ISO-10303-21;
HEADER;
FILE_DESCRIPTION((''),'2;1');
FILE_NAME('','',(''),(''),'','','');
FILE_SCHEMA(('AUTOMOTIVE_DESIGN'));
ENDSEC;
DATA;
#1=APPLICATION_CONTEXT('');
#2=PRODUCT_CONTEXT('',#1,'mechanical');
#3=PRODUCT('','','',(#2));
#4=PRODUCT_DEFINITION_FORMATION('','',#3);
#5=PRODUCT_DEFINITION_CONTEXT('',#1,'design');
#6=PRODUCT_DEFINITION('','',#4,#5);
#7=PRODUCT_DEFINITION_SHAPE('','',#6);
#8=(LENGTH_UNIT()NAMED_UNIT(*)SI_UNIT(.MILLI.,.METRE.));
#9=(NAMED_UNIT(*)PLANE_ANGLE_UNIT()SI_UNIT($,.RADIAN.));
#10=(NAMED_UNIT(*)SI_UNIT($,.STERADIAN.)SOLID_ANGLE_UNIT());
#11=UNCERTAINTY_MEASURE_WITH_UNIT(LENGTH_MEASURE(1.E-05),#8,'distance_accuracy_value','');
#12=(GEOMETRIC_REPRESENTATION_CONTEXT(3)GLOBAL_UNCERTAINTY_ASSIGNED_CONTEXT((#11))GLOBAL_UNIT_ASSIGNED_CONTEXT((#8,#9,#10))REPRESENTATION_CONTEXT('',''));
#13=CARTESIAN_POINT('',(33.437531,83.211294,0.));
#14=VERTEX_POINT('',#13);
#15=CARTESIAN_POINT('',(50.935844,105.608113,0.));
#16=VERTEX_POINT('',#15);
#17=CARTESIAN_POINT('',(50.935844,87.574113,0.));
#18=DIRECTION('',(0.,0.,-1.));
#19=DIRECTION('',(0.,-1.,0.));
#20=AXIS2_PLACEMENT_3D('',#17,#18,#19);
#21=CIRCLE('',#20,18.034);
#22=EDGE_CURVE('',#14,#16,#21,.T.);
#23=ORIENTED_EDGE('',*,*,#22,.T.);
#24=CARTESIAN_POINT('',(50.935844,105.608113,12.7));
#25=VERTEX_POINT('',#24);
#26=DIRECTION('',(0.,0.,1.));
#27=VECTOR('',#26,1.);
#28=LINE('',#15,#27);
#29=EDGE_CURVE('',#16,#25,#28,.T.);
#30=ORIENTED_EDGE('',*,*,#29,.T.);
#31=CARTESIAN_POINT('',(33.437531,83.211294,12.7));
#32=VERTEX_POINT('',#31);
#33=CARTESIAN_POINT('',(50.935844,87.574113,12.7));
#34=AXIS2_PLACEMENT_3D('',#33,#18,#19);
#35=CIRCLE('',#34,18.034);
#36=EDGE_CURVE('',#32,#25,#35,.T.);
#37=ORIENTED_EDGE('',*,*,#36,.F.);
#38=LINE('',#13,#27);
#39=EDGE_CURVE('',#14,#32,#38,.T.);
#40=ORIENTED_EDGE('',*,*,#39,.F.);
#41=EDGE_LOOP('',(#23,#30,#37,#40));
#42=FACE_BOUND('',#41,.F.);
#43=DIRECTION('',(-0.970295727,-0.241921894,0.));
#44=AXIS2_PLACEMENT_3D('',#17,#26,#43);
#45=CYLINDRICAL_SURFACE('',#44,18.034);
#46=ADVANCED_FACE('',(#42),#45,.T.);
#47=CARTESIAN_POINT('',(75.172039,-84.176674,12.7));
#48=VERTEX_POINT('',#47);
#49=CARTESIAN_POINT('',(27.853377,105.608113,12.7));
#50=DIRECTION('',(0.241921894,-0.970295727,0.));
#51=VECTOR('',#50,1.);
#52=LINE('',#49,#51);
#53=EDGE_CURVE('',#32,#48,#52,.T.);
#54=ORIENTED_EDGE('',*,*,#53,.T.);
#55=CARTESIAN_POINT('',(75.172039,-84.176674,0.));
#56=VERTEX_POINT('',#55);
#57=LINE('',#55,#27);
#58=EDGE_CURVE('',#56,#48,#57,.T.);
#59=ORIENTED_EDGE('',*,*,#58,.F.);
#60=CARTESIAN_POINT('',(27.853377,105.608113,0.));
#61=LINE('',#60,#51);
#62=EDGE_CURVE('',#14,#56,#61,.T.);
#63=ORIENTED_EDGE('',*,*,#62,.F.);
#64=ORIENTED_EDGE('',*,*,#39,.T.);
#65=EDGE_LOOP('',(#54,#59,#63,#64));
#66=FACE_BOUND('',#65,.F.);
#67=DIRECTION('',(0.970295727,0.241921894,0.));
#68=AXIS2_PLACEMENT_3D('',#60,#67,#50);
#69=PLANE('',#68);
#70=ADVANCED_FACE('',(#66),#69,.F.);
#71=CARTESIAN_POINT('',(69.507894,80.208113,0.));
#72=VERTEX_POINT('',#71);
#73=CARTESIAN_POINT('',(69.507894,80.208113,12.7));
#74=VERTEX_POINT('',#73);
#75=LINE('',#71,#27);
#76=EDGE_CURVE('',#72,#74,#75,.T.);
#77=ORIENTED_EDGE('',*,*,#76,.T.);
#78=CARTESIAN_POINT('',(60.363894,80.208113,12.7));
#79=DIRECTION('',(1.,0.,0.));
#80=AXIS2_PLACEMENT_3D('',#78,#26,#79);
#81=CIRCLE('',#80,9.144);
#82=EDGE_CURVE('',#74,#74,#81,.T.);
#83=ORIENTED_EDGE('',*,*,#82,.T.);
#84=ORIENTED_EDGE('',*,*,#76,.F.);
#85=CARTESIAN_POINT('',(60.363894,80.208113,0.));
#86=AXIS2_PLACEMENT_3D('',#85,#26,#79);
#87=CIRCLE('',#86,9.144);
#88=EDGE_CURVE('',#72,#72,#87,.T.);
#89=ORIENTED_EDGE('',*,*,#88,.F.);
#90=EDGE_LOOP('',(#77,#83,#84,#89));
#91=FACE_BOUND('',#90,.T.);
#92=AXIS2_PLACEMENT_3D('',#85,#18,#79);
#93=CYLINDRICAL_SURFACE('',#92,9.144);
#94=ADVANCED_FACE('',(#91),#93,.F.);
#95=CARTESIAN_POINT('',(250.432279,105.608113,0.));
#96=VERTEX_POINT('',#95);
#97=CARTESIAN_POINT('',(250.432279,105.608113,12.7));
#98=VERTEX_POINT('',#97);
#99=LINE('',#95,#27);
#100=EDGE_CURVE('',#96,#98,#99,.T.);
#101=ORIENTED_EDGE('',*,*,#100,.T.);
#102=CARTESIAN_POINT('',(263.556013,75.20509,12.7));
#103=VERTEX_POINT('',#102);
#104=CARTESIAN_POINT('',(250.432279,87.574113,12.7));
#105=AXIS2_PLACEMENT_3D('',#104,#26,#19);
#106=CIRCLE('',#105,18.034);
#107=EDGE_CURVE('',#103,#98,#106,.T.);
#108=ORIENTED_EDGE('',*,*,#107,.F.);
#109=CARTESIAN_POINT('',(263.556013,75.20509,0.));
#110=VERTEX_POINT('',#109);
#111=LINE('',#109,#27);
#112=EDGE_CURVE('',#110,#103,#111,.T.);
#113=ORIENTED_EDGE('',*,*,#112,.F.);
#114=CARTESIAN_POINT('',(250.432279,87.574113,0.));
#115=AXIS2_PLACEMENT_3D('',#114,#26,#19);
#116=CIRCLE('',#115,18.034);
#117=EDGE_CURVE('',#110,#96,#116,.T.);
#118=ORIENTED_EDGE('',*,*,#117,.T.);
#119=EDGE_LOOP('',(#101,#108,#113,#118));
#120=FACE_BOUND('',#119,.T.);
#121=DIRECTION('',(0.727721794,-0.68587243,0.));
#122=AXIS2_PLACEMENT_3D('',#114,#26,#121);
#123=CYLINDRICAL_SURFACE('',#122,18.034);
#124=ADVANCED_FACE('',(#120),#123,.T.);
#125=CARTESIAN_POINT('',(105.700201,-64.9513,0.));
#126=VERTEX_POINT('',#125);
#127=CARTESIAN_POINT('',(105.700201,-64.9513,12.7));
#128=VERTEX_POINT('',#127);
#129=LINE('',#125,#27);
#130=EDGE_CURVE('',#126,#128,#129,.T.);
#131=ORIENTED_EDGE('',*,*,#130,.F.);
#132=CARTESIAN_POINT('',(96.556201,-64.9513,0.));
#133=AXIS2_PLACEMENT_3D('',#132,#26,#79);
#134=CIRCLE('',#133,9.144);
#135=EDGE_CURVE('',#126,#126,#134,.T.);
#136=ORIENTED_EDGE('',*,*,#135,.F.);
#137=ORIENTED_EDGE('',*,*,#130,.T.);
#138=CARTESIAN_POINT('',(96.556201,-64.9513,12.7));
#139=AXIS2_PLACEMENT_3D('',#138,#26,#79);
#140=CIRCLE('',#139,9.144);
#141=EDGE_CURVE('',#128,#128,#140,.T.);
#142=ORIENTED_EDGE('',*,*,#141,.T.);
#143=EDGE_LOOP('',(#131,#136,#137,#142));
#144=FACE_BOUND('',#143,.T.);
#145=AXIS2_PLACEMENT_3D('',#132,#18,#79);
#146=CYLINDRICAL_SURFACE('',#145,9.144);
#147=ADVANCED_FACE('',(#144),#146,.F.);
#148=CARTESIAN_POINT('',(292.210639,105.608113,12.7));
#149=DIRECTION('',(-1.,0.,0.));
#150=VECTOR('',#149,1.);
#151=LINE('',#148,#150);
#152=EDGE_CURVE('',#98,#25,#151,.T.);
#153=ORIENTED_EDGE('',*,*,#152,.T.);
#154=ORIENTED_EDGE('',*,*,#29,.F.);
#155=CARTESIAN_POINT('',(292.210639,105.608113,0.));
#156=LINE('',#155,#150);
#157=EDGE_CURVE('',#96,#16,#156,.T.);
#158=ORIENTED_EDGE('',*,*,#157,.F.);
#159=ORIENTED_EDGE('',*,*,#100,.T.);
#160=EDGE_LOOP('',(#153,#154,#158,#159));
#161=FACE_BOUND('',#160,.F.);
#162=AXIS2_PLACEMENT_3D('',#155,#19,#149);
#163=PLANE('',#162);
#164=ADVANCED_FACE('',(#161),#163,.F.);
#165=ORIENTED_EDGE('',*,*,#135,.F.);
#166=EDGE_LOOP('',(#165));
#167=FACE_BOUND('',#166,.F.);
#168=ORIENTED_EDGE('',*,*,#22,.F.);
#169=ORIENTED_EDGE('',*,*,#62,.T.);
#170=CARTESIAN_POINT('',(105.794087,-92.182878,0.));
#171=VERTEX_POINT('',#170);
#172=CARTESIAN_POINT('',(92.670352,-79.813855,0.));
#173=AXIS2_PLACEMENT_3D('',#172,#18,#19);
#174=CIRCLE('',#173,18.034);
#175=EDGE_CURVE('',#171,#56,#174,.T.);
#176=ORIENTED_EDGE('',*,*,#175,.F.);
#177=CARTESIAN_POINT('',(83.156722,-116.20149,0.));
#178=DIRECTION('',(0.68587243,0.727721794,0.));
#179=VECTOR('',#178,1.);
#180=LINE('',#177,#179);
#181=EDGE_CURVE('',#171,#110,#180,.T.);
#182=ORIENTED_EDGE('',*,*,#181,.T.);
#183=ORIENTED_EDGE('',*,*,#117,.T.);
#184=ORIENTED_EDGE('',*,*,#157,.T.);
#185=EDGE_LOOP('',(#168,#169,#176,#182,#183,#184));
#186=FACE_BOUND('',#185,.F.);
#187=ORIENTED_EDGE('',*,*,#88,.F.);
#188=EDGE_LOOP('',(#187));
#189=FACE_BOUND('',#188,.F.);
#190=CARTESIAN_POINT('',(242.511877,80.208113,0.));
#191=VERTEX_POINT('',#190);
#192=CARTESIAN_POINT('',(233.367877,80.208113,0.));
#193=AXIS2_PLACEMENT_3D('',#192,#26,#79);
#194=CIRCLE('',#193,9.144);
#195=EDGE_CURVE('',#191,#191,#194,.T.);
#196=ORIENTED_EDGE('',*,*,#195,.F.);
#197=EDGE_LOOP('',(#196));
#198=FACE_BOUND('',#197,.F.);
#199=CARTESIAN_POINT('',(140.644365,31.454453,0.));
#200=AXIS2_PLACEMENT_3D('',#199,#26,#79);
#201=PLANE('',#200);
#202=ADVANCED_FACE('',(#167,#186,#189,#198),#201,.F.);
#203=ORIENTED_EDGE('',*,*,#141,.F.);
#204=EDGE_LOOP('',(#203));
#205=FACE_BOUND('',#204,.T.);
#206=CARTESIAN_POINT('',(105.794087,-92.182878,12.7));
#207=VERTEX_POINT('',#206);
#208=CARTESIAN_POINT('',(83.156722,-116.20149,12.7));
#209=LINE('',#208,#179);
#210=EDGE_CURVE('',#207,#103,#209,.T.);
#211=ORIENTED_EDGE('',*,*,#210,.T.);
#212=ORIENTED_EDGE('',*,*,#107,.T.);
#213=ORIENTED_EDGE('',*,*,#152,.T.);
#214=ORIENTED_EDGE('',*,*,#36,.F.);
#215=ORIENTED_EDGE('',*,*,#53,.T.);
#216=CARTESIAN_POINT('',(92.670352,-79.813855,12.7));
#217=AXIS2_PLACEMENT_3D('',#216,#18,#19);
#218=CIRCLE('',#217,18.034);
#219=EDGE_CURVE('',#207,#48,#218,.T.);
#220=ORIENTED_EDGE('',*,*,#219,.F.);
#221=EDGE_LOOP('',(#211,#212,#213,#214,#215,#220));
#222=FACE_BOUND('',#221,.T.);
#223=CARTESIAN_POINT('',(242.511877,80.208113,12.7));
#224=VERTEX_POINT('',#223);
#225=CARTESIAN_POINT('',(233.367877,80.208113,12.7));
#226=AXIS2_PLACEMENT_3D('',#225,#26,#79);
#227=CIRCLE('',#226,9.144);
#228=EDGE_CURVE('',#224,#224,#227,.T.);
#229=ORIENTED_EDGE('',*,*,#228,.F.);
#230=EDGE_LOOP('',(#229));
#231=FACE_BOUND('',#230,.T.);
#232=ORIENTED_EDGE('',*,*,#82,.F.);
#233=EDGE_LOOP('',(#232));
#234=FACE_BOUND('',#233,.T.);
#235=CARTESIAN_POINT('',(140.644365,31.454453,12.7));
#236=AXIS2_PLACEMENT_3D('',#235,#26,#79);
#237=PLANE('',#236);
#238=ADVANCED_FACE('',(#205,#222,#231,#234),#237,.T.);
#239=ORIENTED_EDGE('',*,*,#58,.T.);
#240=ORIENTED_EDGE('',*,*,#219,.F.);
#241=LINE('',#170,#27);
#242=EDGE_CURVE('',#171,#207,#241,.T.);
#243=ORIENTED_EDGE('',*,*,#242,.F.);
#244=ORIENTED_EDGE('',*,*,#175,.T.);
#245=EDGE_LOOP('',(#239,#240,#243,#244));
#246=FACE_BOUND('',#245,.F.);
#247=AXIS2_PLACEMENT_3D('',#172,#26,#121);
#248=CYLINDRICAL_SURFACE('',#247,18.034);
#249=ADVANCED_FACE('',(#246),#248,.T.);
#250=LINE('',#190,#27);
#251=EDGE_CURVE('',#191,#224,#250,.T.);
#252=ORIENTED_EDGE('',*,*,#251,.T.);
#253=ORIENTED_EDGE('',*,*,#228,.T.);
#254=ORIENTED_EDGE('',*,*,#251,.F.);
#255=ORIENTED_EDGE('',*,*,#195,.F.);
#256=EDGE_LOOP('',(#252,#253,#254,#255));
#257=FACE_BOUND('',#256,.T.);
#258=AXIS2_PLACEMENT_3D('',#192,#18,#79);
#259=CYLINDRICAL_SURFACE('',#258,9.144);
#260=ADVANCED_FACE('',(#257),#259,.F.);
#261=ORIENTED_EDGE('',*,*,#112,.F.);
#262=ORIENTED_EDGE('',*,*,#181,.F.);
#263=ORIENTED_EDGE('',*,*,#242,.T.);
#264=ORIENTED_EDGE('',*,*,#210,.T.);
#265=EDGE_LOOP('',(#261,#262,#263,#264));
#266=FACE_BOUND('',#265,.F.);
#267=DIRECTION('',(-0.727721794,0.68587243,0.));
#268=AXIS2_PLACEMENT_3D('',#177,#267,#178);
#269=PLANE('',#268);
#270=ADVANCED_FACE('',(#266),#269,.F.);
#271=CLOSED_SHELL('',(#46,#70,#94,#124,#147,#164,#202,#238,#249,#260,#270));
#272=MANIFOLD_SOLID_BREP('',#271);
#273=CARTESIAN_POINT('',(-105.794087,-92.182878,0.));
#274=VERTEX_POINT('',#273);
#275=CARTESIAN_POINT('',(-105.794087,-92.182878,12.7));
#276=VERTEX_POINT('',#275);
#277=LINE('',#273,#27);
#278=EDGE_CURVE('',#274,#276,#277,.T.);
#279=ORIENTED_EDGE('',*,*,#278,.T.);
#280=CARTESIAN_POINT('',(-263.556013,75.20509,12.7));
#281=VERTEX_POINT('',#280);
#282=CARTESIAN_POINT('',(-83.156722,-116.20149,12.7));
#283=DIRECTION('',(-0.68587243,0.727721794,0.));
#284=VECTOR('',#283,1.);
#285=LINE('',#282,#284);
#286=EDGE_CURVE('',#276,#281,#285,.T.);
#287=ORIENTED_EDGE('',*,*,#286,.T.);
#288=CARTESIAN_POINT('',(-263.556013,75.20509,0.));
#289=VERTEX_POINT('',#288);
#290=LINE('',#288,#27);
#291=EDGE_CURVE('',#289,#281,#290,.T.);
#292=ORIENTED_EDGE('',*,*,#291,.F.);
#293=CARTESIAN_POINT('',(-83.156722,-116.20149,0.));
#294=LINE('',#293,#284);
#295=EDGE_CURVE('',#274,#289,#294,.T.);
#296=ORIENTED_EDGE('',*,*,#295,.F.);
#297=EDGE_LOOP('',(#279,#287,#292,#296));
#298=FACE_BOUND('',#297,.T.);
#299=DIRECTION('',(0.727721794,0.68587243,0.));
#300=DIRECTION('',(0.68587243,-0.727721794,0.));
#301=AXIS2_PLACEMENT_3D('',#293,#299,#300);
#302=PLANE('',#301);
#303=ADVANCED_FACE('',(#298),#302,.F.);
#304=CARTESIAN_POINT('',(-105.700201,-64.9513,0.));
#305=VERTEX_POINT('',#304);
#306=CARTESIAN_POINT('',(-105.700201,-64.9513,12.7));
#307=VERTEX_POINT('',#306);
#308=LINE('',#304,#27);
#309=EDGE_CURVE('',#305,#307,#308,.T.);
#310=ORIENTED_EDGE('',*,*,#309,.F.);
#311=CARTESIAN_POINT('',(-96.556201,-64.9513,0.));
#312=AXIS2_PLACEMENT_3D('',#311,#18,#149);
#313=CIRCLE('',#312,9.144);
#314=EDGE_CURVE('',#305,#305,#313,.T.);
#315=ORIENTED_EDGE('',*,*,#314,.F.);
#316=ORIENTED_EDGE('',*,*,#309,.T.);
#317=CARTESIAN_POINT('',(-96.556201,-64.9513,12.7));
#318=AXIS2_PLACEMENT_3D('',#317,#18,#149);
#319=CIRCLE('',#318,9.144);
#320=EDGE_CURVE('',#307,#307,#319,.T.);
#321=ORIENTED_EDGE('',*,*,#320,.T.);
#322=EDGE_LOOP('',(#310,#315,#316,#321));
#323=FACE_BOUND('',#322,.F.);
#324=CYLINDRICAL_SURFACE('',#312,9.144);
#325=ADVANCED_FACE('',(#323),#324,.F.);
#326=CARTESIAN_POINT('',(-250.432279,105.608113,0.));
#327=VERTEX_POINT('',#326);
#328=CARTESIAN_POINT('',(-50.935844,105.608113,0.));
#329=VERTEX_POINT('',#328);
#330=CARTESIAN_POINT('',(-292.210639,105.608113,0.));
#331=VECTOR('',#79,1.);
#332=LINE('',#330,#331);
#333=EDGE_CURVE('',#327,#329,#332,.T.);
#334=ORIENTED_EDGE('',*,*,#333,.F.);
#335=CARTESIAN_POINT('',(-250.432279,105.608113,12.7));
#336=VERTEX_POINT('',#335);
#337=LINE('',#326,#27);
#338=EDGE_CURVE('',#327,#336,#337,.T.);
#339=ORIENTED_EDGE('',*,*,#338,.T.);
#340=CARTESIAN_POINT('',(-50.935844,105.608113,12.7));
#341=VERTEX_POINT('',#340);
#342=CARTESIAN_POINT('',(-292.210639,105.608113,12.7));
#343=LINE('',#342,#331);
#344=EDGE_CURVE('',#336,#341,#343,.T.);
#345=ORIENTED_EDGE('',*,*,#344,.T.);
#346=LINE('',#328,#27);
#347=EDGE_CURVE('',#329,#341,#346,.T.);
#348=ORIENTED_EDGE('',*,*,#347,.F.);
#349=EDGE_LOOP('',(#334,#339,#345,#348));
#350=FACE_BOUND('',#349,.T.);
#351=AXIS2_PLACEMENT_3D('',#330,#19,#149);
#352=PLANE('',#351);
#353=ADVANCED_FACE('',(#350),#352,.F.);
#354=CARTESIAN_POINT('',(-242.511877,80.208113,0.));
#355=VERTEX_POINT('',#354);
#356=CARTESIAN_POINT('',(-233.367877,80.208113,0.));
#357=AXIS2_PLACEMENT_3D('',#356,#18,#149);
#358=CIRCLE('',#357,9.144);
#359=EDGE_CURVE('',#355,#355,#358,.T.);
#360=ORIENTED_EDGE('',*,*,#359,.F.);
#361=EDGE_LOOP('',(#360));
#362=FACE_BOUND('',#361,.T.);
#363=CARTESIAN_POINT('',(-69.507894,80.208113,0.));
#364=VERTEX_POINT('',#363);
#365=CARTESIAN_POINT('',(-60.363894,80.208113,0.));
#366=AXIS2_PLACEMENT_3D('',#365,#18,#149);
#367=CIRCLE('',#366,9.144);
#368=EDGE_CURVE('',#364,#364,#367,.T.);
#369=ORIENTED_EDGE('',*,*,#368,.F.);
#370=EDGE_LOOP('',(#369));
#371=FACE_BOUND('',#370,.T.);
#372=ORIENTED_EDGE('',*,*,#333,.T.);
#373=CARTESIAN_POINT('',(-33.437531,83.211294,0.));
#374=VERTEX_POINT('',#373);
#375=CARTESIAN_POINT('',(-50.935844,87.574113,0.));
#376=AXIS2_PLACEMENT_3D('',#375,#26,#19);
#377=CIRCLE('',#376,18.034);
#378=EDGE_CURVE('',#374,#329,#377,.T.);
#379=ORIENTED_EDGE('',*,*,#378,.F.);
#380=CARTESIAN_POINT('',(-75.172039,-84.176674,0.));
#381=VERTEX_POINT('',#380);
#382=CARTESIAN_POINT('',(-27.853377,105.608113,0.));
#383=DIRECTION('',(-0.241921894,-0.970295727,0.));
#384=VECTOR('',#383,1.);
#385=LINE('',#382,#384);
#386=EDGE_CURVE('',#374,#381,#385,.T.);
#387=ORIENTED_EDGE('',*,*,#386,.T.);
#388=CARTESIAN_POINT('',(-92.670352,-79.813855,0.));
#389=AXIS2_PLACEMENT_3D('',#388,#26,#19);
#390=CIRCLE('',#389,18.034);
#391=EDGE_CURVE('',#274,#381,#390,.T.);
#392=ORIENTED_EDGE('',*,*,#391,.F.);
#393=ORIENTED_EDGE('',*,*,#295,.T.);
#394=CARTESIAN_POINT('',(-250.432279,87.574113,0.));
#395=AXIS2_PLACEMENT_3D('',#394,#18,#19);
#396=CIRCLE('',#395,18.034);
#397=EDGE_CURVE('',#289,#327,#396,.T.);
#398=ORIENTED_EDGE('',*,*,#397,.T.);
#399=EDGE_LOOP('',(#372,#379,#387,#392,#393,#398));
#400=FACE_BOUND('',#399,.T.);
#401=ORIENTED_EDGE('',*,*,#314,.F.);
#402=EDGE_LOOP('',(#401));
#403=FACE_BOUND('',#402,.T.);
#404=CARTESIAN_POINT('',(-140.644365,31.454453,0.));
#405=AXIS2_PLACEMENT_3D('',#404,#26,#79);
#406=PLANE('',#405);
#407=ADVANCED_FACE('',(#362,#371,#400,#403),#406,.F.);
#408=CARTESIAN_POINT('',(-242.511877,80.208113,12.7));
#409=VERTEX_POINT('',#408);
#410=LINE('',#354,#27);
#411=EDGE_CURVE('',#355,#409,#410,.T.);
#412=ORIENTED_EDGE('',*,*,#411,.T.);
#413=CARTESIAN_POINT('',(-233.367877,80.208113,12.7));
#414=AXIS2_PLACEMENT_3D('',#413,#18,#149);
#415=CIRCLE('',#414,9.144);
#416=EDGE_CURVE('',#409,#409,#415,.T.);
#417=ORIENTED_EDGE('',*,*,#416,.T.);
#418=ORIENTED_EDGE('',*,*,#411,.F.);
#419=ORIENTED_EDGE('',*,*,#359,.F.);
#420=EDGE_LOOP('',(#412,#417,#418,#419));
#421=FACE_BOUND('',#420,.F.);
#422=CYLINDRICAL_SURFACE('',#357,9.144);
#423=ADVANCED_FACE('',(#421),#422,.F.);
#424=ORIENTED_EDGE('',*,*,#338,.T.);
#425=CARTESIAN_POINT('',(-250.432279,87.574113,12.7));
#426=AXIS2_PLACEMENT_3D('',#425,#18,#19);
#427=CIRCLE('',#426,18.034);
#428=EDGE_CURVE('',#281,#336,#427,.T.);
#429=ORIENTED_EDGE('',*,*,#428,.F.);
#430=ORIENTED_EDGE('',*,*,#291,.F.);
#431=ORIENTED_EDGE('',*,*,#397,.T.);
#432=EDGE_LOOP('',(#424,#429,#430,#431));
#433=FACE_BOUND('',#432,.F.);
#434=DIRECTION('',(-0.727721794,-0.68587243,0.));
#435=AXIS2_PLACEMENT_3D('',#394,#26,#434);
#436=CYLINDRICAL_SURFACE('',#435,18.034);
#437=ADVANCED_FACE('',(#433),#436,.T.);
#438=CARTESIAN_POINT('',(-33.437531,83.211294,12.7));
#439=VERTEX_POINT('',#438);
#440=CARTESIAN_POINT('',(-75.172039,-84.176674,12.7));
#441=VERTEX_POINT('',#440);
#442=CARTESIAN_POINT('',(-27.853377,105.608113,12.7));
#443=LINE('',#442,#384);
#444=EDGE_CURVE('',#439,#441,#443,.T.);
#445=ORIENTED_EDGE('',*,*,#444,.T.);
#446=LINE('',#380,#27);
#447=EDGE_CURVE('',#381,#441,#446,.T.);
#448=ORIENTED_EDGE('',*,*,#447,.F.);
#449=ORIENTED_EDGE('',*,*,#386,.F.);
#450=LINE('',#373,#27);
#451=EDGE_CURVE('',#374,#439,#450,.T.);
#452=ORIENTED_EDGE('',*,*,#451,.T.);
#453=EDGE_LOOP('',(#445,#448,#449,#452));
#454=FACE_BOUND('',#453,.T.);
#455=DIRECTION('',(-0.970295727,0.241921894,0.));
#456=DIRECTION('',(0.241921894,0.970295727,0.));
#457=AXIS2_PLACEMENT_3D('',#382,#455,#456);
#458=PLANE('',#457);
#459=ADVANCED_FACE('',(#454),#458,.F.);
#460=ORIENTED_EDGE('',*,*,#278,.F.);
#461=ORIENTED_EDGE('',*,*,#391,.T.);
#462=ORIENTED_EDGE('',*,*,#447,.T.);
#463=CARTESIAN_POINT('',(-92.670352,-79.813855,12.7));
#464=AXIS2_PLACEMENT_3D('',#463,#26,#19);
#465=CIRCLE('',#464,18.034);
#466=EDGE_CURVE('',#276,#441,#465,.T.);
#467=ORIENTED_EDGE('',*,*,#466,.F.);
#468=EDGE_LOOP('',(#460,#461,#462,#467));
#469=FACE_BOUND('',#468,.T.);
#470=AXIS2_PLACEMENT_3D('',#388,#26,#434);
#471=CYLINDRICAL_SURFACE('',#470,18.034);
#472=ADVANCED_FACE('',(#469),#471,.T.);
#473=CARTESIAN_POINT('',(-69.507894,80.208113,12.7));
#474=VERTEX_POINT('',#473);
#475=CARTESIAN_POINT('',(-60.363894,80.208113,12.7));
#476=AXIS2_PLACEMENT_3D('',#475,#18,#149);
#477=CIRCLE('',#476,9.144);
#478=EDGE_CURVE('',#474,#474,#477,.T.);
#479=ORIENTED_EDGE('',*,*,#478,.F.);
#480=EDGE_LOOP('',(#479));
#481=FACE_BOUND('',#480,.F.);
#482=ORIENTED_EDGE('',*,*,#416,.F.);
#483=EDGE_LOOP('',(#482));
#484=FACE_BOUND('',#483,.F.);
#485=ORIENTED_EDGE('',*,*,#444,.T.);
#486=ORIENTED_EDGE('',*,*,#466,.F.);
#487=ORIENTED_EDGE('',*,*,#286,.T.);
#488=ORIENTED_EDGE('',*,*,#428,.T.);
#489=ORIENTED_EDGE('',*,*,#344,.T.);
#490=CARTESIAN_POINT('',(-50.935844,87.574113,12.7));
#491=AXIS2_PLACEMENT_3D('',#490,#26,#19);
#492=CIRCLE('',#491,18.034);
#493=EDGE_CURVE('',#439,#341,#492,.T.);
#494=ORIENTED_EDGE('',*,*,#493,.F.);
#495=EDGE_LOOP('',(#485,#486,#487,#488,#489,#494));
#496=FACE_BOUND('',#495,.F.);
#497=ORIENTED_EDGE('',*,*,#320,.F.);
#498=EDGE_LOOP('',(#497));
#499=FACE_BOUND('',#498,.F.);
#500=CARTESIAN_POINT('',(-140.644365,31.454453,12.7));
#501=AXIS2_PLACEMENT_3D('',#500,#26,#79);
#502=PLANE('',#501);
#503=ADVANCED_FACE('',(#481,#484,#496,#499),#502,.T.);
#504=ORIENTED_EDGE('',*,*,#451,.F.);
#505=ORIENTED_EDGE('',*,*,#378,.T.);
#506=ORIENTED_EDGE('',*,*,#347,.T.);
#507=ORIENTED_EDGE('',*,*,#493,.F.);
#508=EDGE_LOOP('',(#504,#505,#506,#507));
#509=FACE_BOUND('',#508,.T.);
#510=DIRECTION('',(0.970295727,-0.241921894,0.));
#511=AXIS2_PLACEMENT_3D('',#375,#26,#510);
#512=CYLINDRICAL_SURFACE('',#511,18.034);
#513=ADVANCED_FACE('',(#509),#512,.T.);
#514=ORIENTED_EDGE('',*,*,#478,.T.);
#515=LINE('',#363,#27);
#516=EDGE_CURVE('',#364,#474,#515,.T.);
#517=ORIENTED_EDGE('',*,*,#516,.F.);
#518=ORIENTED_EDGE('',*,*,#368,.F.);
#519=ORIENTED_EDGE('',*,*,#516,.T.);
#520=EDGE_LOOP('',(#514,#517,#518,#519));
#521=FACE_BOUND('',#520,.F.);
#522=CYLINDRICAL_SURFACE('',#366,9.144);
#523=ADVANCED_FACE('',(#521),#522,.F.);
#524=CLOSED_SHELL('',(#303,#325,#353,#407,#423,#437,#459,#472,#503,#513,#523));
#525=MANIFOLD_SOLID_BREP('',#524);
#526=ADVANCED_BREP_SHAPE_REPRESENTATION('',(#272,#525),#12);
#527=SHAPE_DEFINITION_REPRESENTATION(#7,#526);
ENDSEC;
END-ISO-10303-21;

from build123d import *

# Parameters (mm, degrees)
F0_R     = 9.144
F1_DEPTH = 12.7
F2_R     = 18.034


with BuildPart() as f1:
    # F0 (on Top) → F1 (new body)
    with BuildSketch(Plane.XY):
        Polygon((83.156722, -116.20149), (292.210639, 105.608113), (27.853377, 105.608113), align=None)
        with Locations((96.556201, -64.9513)):
            Circle(F0_R, mode=Mode.SUBTRACT)
        with Locations((60.363894, 80.208113)):
            Circle(F0_R, mode=Mode.SUBTRACT)
        with Locations((233.367877, 80.208113)):
            Circle(F0_R, mode=Mode.SUBTRACT)
    extrude(amount=F1_DEPTH)

    # F2
    f2_edges = [f1.edges().sort_by_distance(p)[0] for p in [
        (83.156722, -116.20149, 6.35),
        (292.210639, 105.608113, 6.35),
        (27.853377, 105.608113, 6.35),
    ]]
    fillet(f2_edges, radius=F2_R)


with BuildPart() as f3_1:
    # F3: instance of F1
    add(f1.part.mirror(Plane.YZ))


solid = Compound([f1.part, f3_1.part])
